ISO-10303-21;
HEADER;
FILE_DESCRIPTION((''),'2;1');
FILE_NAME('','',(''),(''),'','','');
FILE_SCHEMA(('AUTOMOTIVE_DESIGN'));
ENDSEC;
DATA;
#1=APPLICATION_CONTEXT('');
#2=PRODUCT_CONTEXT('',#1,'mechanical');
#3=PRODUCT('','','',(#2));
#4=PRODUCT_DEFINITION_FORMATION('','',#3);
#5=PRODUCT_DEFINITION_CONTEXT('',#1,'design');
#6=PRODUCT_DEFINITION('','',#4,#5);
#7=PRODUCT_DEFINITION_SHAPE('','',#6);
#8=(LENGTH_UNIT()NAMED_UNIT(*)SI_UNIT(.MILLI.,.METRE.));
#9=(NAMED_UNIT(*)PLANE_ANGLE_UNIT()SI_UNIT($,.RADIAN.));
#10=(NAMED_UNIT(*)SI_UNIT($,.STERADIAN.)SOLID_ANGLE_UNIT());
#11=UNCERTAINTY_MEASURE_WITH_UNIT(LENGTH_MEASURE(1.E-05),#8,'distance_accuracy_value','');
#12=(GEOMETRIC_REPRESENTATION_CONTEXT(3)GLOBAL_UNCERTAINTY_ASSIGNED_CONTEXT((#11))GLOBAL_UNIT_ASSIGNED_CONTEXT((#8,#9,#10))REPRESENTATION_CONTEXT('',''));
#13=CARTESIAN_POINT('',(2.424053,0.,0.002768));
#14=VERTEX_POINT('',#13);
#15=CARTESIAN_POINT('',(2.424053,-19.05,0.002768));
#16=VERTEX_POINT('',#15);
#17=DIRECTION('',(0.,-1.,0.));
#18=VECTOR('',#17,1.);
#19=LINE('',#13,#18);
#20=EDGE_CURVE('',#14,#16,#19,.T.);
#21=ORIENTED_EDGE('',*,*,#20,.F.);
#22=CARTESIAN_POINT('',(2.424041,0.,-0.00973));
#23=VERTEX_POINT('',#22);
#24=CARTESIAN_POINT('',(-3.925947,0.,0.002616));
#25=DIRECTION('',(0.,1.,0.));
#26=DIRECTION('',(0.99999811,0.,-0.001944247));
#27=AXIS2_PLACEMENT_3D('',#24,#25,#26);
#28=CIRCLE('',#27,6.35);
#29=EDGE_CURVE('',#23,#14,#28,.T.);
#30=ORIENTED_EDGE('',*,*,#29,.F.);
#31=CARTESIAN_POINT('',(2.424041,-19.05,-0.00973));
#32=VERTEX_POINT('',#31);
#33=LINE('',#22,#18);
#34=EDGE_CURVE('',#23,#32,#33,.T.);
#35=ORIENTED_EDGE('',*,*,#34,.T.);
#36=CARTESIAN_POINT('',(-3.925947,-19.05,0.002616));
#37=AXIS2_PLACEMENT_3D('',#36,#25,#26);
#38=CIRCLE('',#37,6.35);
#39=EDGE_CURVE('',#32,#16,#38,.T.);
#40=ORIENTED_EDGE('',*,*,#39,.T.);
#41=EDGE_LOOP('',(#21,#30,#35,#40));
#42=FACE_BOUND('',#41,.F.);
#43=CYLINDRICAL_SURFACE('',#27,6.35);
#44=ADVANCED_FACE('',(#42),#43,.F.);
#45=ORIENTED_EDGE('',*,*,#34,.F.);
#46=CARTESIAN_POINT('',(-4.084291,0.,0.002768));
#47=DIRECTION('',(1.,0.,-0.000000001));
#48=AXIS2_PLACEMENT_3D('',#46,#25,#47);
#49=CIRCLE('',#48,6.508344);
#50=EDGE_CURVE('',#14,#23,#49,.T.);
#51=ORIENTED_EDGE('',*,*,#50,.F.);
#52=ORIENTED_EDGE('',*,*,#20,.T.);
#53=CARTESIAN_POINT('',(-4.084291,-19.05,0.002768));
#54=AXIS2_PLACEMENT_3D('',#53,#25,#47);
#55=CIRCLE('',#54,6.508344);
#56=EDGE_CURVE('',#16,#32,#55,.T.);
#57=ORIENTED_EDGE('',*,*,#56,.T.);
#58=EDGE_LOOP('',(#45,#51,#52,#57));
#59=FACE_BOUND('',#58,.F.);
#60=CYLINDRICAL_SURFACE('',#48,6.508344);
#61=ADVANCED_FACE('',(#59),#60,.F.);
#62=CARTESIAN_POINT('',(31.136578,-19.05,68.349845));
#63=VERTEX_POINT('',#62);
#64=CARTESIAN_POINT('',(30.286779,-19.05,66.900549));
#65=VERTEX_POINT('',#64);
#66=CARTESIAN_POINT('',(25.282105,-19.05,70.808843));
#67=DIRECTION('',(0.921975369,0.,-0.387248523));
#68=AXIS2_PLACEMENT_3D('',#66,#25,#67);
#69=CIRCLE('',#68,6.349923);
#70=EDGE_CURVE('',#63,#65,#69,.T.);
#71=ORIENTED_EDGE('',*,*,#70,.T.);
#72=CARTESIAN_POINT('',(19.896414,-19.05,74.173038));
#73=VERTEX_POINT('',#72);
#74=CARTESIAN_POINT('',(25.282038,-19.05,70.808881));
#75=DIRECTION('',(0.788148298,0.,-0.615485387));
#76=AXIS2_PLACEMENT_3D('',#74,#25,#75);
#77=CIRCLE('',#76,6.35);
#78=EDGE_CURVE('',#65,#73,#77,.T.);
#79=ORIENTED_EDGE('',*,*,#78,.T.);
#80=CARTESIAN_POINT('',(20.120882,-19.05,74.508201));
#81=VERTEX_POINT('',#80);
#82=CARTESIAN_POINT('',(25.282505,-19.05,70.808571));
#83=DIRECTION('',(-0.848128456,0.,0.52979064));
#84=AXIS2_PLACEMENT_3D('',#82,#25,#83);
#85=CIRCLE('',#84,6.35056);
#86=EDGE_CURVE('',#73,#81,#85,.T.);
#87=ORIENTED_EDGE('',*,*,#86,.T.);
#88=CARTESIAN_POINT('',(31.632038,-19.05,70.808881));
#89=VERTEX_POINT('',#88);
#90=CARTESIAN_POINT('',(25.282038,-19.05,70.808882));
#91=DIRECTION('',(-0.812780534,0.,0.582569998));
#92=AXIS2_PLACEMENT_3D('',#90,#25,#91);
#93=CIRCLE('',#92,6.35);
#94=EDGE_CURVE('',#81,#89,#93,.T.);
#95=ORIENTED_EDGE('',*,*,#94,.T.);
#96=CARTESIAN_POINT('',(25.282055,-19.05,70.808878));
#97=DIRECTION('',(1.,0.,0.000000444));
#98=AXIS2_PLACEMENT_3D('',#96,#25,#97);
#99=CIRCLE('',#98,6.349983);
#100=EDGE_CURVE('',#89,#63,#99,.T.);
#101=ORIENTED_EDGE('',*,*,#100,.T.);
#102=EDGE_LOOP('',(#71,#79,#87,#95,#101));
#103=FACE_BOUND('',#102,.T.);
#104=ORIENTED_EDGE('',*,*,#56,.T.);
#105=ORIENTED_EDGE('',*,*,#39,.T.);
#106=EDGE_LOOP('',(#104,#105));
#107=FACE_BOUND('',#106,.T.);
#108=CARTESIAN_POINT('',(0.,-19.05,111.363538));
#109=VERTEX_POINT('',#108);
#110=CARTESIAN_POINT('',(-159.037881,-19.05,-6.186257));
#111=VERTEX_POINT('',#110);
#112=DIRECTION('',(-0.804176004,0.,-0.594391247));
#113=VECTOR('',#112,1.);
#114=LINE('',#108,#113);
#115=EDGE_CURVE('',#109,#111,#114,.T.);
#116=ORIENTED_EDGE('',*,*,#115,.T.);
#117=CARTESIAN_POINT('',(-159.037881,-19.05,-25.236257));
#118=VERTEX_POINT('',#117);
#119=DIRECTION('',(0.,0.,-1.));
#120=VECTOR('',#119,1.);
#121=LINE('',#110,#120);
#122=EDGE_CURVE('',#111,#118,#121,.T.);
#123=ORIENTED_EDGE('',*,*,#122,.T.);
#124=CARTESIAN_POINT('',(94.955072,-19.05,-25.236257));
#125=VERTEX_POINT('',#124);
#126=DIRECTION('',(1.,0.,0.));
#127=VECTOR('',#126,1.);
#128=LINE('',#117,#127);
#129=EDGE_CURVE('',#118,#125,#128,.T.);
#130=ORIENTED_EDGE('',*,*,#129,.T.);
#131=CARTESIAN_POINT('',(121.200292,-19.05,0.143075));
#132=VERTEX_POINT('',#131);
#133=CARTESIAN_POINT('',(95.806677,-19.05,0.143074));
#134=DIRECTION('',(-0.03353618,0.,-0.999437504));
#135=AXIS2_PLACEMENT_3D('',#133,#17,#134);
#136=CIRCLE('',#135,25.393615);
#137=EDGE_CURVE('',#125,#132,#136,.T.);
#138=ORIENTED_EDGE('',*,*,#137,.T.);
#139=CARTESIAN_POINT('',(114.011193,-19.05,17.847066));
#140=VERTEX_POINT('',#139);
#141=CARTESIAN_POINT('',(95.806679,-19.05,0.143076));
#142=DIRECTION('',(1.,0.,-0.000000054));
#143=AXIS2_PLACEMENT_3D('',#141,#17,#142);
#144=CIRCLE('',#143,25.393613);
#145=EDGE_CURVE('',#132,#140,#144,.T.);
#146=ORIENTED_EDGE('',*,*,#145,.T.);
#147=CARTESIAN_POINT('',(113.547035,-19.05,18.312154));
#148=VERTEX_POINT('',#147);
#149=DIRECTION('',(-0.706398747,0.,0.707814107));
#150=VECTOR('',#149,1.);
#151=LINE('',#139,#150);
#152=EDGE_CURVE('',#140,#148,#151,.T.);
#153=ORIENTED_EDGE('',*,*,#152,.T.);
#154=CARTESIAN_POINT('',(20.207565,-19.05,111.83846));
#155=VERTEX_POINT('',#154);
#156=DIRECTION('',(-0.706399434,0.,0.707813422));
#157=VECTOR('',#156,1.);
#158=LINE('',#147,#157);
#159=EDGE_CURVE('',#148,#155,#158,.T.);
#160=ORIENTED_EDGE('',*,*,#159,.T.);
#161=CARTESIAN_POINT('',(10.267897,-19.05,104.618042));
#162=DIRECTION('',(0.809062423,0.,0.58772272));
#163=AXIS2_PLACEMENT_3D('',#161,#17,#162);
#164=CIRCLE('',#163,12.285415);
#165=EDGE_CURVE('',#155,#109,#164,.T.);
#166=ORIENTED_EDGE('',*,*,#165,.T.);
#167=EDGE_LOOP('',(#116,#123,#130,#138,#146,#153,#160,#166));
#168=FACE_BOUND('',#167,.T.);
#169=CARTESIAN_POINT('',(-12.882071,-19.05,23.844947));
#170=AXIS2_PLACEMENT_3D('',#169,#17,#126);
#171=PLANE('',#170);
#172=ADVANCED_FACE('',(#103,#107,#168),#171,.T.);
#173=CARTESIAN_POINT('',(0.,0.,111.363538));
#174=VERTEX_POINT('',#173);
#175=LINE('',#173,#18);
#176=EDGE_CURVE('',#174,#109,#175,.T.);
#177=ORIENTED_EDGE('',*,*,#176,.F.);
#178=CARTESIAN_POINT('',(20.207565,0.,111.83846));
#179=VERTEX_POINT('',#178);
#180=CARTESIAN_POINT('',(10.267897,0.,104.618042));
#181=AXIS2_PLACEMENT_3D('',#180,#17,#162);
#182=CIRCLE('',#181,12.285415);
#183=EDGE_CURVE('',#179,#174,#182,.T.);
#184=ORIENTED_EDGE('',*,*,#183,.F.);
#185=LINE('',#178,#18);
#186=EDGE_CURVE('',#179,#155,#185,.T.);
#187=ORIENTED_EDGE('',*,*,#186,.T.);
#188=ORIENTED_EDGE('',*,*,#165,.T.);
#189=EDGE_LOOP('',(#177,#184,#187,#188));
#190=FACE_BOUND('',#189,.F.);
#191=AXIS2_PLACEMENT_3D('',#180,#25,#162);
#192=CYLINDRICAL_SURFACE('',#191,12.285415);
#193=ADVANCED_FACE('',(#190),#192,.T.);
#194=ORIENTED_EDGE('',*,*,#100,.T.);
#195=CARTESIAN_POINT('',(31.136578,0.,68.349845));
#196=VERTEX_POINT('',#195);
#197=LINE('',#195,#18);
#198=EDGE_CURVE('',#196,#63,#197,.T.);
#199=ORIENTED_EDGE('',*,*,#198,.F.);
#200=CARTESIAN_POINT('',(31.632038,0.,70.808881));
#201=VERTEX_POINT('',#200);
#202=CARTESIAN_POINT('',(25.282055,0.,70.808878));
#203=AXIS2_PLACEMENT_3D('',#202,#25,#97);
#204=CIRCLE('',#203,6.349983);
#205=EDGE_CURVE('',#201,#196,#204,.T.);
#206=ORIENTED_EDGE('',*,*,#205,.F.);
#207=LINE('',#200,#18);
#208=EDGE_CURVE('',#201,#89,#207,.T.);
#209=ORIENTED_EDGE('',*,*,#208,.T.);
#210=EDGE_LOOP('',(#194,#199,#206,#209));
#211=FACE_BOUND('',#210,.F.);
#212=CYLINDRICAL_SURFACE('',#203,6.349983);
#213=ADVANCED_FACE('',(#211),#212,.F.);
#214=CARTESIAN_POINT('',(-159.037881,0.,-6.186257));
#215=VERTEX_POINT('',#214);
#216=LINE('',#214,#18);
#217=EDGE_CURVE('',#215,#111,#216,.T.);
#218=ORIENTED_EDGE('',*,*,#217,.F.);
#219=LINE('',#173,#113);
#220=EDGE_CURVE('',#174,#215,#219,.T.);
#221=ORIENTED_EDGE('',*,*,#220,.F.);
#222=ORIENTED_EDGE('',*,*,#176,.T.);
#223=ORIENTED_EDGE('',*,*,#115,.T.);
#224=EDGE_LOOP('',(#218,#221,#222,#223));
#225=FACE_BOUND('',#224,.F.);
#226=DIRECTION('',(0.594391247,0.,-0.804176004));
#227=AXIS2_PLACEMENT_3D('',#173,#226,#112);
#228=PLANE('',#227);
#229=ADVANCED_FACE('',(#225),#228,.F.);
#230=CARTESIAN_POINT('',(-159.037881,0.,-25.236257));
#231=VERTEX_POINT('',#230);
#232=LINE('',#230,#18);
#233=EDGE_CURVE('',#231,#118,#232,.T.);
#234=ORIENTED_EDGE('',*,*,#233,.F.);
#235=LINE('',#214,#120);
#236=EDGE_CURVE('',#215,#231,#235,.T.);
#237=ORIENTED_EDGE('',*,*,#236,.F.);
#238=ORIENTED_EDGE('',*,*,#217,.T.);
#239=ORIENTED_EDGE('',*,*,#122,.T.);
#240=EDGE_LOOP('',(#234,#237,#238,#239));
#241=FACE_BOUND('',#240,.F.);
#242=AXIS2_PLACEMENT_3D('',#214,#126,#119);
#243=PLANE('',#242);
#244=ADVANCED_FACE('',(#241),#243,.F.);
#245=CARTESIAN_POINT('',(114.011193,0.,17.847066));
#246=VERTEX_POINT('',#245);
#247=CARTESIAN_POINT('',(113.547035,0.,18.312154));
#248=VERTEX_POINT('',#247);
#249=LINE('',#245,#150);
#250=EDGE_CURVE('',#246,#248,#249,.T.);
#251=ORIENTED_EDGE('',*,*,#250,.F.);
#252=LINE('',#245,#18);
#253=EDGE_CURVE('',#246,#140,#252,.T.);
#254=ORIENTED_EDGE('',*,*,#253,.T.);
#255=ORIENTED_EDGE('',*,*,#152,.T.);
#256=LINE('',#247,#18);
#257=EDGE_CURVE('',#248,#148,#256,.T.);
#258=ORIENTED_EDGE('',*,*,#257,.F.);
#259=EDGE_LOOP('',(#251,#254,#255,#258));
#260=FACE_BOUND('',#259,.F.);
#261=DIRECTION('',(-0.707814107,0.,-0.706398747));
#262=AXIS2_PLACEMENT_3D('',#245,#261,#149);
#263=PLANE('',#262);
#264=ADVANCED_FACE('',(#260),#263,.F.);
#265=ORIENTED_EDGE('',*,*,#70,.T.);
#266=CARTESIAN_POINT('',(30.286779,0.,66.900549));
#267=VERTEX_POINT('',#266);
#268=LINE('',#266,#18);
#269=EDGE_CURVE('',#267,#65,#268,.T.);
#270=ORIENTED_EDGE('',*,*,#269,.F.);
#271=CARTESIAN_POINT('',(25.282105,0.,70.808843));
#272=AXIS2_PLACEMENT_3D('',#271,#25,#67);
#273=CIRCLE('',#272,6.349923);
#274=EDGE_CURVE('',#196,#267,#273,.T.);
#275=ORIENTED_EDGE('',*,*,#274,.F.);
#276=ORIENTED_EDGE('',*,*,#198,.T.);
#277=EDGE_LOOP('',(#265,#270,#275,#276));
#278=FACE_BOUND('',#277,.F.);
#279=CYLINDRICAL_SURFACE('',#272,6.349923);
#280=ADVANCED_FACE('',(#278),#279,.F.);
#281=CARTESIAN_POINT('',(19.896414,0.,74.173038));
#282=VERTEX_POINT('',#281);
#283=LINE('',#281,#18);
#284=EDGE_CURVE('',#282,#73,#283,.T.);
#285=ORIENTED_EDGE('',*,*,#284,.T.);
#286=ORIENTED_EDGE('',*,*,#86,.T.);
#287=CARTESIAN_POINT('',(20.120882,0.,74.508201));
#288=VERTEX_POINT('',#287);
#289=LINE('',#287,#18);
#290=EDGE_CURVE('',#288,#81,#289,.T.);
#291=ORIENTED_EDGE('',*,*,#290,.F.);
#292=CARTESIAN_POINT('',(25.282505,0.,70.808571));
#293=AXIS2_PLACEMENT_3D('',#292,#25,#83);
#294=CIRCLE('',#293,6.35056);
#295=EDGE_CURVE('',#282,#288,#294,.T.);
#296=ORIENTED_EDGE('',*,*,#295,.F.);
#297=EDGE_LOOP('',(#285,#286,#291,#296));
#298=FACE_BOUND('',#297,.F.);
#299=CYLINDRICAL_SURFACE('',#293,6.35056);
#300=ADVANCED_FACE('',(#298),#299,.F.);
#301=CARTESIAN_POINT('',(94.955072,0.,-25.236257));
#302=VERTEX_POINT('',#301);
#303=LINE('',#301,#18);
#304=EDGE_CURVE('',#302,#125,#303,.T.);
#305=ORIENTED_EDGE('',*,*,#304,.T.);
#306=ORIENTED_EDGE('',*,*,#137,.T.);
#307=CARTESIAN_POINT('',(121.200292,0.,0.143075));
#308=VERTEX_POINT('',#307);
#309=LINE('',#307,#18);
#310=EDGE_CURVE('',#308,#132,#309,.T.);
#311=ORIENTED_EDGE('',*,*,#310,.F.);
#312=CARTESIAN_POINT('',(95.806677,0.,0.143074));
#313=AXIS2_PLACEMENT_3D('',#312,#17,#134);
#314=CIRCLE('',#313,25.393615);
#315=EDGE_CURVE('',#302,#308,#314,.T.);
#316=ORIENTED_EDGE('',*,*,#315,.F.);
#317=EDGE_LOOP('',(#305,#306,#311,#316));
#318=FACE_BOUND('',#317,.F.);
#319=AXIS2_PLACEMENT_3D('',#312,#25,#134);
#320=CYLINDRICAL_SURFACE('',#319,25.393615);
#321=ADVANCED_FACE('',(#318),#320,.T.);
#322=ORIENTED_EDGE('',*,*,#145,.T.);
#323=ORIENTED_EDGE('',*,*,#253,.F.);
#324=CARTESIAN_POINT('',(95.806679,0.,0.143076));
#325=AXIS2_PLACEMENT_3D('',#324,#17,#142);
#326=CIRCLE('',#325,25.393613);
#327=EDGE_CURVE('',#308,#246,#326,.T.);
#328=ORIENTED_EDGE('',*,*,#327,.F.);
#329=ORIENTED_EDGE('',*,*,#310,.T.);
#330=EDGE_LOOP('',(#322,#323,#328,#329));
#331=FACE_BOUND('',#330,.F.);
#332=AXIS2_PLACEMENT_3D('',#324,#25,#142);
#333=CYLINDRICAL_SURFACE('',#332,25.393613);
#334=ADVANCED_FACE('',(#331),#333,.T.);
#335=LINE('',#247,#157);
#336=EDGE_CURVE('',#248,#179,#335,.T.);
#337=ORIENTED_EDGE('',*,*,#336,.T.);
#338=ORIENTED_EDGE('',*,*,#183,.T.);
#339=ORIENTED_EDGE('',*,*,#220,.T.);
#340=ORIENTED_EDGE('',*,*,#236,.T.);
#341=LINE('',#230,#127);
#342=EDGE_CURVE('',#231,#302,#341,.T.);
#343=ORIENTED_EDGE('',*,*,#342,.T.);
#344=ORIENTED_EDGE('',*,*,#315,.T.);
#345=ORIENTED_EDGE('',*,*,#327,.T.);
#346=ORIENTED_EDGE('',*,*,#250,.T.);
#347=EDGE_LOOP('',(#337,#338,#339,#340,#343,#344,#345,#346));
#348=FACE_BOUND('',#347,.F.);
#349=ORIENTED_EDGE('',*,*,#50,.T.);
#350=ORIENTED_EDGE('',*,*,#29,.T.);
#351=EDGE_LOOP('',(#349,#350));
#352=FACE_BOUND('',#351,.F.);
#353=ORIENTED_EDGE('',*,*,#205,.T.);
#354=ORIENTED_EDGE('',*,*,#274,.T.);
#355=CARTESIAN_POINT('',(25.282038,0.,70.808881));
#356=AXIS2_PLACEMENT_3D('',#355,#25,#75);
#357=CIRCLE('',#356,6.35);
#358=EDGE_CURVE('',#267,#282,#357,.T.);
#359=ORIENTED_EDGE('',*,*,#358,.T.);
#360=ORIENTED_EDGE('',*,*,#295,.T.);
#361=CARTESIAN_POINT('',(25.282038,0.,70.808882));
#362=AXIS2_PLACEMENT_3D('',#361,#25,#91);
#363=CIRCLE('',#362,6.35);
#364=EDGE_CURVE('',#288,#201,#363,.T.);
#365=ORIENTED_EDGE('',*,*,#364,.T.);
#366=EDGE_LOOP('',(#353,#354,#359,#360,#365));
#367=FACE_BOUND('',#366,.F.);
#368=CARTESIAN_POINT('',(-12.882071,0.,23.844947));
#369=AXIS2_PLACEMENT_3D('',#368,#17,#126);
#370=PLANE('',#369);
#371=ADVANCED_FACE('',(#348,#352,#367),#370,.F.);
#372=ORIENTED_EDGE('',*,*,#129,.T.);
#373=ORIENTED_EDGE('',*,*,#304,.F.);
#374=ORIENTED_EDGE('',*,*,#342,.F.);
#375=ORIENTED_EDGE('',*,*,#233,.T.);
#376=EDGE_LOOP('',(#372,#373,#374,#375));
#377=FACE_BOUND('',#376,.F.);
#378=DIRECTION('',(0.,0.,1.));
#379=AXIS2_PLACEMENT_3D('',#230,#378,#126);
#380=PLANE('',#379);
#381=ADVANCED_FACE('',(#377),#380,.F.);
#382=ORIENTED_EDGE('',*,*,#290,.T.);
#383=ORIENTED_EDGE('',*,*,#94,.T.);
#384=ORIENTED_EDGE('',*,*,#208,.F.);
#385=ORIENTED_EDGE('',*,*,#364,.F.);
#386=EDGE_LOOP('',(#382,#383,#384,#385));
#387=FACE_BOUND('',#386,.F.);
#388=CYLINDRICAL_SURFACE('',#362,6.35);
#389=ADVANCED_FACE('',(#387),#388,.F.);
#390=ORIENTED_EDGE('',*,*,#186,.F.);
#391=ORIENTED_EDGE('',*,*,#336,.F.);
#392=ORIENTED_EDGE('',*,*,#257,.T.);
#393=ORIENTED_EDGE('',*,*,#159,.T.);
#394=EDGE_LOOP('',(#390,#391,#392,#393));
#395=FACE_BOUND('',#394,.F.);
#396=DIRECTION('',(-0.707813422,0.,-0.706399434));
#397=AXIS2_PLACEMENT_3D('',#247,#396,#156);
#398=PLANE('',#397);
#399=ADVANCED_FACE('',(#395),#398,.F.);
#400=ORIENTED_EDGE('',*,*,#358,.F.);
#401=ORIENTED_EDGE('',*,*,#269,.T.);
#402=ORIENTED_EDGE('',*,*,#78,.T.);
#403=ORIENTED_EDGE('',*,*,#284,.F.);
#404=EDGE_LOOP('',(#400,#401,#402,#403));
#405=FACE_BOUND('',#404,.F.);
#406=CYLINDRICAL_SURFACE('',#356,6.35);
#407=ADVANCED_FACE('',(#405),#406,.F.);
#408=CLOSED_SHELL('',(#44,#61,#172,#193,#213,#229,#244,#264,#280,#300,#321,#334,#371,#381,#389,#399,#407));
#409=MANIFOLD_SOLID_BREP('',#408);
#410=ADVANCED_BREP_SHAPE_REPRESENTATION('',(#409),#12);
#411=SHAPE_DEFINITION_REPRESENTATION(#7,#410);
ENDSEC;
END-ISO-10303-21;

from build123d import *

# Parameters (mm, degrees)
F1_DEPTH = 19.05


with BuildPart() as f1:
    # F0 (on Front) → F1 (new body)
    with BuildSketch(Plane.XZ):
        with BuildLine():
            Line((113.547035, 18.312154), (20.207565, 111.83846))
            ThreePointArc((20.207565, 111.83846), (21.952168, 108.413993), (22.553312, 104.618043))
            ThreePointArc((22.553312, 104.618043), (6.747525, 92.847809), (0, 111.363538))
            Line((0, 111.363538), (-159.037881, -6.186257))
            Line((-159.037881, -6.186257), (-159.037881, -25.236257))
            Line((-159.037881, -25.236257), (94.955072, -25.236257))
            ThreePointArc((94.955072, -25.236257), (72.452371, 10.113642), (113.547035, 18.312154))
        make_face()
        with BuildLine():
            ThreePointArc((2.424053, 0.002768), (2.42405, -0.003481), (2.424041, -0.00973))
            ThreePointArc((2.424041, -0.00973), (-10.275944, 0.009017), (2.424053, 0.002768))
        make_face(mode=Mode.SUBTRACT)
        with BuildLine():
            ThreePointArc((20.120882, 74.508201), (27.224866, 76.854369), (31.632038, 70.808881))
            ThreePointArc((31.632038, 70.808881), (31.506941, 69.554654), (31.136578, 68.349845))
            ThreePointArc((31.136578, 68.349845), (30.759822, 67.596968), (30.286779, 66.900549))
            ThreePointArc((30.286779, 66.900549), (21.64081, 65.606578), (19.896414, 74.173038))
            ThreePointArc((19.896414, 74.173038), (20.005986, 74.342402), (20.120882, 74.508201))
        make_face(mode=Mode.SUBTRACT)
        with BuildLine():
            Line((114.011193, 17.847066), (113.547035, 18.312154))
            ThreePointArc((113.547035, 18.312154), (72.452371, 10.113642), (94.955072, -25.236257))
            ThreePointArc((94.955072, -25.236257), (113.459019, -18.111528), (121.200292, 0.143075))
            ThreePointArc((121.200292, 0.143075), (119.334471, 9.697059), (114.011193, 17.847066))
        make_face()
        with BuildLine():
            ThreePointArc((22.553312, 104.618043), (21.952168, 108.413993), (20.207565, 111.83846))
            ThreePointArc((20.207565, 111.83846), (9.979243, 116.900066), (0, 111.363538))
            ThreePointArc((0, 111.363538), (6.747525, 92.847809), (22.553312, 104.618043))
        make_face()
    extrude(amount=F1_DEPTH)


solid = f1.part
